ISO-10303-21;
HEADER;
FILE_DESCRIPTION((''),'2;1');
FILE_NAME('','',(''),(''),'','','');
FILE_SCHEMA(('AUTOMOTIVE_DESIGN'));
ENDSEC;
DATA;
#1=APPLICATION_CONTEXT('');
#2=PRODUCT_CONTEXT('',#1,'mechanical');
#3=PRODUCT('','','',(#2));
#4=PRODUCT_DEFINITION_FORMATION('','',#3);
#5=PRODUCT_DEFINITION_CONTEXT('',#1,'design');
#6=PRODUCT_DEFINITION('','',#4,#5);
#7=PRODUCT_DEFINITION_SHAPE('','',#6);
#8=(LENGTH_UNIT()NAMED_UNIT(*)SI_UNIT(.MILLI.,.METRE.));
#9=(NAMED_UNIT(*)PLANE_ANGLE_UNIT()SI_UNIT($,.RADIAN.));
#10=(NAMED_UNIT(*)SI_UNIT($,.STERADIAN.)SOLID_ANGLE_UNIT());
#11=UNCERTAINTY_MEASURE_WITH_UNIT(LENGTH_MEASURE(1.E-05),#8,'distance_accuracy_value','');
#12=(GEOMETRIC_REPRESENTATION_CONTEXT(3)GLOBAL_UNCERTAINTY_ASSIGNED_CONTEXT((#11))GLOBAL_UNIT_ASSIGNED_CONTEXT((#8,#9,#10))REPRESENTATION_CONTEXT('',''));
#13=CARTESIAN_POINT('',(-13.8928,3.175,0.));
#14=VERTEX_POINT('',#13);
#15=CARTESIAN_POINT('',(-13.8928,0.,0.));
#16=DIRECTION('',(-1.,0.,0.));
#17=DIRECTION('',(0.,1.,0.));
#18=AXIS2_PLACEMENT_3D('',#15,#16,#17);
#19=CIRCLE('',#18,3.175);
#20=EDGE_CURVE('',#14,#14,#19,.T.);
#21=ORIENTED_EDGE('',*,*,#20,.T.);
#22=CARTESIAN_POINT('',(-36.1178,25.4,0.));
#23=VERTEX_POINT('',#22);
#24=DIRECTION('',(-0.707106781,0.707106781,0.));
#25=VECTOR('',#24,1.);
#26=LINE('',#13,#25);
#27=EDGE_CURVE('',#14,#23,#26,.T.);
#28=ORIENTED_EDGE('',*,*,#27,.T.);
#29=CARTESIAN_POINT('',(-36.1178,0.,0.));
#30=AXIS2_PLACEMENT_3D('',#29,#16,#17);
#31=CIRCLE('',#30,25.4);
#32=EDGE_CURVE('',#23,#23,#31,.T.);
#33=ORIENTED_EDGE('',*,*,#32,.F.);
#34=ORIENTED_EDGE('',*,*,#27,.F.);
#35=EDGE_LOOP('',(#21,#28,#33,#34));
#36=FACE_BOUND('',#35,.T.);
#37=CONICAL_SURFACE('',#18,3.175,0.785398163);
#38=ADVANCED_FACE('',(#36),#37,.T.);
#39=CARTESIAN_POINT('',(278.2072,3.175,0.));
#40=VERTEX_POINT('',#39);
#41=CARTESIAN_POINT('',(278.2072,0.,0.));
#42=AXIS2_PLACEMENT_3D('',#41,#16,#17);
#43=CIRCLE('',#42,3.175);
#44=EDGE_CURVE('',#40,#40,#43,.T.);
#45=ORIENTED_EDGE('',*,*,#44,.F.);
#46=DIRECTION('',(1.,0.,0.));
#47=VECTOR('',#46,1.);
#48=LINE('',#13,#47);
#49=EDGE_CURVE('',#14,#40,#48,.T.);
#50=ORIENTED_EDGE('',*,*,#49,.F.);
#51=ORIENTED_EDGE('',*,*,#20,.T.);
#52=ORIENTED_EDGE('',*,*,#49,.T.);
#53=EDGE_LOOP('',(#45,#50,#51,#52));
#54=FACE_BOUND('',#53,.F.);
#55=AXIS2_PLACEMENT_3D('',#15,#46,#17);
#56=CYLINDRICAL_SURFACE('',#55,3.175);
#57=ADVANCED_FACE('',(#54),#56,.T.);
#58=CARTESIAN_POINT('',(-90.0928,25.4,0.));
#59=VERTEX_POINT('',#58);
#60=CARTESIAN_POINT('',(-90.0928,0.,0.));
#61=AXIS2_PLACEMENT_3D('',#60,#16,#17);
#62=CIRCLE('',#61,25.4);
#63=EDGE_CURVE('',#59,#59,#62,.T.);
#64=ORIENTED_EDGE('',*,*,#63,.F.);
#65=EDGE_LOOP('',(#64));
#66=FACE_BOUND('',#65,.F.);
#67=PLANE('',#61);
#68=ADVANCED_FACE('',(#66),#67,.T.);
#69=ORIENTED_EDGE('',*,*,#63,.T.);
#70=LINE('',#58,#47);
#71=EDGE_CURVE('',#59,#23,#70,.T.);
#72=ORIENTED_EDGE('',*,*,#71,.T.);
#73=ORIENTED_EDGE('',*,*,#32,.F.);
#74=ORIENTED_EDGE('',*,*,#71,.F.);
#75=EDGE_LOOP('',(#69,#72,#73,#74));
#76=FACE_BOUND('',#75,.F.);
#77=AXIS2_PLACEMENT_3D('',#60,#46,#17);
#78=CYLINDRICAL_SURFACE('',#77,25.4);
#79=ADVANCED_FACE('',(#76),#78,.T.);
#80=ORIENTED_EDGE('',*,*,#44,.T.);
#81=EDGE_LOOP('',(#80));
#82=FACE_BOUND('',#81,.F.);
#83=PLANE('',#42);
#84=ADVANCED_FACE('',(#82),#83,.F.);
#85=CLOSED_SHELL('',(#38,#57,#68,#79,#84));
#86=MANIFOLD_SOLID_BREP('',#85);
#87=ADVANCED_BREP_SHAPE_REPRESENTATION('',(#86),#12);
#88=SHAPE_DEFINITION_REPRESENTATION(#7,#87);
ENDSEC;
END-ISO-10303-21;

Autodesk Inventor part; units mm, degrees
ref_plane "YZ Plane" through (0, 0, 0) normal (1, 0, 0) x (0, 1, 0)
ref_plane "XZ Plane" through (0, 0, 0) normal (0, 1, 0) x (-1, 0, 0)
ref_plane "XY Plane" through (0, 0, 0) normal (0, 0, 1) x (1, 0, 0)
sketch "Sketch1" plane through (0, 0, 0) normal (0, 0, 1) x (1, 0, 0)
  line L0 (-13.8928, 3.175) -> (278.2072, 3.175)
  line L1 (278.2072, 3.175) -> (278.2072, 0)
  line L2 (278.2072, 0) -> (0, 0)
  line L3 (0, 0) -> (-90.0928, 0)
  line L4 (-90.0928, 0) -> (-90.0928, 25.4)
  line L5 (-90.0928, 25.4) -> (-13.8928, 25.4)
  line L6 (-13.8928, 25.4) -> (-13.8928, 3.175)
  line L7 (-13.8928, 3.175) -> (-36.1178, 25.4)
  dimension "d0" = 3.175
  dimension "d1" = 292.1
  dimension "d2" = 25.4
  dimension "d3" = 76.2
  dimension "d5" = 45
revolve "Revolution1" add sketch "Sketch1" angle 360 about axis through (0, 0, 0) along (-1, 0, 0) contours L0 L1 L2 L3 L4 L5 L7
properties part number "Drill 8"
